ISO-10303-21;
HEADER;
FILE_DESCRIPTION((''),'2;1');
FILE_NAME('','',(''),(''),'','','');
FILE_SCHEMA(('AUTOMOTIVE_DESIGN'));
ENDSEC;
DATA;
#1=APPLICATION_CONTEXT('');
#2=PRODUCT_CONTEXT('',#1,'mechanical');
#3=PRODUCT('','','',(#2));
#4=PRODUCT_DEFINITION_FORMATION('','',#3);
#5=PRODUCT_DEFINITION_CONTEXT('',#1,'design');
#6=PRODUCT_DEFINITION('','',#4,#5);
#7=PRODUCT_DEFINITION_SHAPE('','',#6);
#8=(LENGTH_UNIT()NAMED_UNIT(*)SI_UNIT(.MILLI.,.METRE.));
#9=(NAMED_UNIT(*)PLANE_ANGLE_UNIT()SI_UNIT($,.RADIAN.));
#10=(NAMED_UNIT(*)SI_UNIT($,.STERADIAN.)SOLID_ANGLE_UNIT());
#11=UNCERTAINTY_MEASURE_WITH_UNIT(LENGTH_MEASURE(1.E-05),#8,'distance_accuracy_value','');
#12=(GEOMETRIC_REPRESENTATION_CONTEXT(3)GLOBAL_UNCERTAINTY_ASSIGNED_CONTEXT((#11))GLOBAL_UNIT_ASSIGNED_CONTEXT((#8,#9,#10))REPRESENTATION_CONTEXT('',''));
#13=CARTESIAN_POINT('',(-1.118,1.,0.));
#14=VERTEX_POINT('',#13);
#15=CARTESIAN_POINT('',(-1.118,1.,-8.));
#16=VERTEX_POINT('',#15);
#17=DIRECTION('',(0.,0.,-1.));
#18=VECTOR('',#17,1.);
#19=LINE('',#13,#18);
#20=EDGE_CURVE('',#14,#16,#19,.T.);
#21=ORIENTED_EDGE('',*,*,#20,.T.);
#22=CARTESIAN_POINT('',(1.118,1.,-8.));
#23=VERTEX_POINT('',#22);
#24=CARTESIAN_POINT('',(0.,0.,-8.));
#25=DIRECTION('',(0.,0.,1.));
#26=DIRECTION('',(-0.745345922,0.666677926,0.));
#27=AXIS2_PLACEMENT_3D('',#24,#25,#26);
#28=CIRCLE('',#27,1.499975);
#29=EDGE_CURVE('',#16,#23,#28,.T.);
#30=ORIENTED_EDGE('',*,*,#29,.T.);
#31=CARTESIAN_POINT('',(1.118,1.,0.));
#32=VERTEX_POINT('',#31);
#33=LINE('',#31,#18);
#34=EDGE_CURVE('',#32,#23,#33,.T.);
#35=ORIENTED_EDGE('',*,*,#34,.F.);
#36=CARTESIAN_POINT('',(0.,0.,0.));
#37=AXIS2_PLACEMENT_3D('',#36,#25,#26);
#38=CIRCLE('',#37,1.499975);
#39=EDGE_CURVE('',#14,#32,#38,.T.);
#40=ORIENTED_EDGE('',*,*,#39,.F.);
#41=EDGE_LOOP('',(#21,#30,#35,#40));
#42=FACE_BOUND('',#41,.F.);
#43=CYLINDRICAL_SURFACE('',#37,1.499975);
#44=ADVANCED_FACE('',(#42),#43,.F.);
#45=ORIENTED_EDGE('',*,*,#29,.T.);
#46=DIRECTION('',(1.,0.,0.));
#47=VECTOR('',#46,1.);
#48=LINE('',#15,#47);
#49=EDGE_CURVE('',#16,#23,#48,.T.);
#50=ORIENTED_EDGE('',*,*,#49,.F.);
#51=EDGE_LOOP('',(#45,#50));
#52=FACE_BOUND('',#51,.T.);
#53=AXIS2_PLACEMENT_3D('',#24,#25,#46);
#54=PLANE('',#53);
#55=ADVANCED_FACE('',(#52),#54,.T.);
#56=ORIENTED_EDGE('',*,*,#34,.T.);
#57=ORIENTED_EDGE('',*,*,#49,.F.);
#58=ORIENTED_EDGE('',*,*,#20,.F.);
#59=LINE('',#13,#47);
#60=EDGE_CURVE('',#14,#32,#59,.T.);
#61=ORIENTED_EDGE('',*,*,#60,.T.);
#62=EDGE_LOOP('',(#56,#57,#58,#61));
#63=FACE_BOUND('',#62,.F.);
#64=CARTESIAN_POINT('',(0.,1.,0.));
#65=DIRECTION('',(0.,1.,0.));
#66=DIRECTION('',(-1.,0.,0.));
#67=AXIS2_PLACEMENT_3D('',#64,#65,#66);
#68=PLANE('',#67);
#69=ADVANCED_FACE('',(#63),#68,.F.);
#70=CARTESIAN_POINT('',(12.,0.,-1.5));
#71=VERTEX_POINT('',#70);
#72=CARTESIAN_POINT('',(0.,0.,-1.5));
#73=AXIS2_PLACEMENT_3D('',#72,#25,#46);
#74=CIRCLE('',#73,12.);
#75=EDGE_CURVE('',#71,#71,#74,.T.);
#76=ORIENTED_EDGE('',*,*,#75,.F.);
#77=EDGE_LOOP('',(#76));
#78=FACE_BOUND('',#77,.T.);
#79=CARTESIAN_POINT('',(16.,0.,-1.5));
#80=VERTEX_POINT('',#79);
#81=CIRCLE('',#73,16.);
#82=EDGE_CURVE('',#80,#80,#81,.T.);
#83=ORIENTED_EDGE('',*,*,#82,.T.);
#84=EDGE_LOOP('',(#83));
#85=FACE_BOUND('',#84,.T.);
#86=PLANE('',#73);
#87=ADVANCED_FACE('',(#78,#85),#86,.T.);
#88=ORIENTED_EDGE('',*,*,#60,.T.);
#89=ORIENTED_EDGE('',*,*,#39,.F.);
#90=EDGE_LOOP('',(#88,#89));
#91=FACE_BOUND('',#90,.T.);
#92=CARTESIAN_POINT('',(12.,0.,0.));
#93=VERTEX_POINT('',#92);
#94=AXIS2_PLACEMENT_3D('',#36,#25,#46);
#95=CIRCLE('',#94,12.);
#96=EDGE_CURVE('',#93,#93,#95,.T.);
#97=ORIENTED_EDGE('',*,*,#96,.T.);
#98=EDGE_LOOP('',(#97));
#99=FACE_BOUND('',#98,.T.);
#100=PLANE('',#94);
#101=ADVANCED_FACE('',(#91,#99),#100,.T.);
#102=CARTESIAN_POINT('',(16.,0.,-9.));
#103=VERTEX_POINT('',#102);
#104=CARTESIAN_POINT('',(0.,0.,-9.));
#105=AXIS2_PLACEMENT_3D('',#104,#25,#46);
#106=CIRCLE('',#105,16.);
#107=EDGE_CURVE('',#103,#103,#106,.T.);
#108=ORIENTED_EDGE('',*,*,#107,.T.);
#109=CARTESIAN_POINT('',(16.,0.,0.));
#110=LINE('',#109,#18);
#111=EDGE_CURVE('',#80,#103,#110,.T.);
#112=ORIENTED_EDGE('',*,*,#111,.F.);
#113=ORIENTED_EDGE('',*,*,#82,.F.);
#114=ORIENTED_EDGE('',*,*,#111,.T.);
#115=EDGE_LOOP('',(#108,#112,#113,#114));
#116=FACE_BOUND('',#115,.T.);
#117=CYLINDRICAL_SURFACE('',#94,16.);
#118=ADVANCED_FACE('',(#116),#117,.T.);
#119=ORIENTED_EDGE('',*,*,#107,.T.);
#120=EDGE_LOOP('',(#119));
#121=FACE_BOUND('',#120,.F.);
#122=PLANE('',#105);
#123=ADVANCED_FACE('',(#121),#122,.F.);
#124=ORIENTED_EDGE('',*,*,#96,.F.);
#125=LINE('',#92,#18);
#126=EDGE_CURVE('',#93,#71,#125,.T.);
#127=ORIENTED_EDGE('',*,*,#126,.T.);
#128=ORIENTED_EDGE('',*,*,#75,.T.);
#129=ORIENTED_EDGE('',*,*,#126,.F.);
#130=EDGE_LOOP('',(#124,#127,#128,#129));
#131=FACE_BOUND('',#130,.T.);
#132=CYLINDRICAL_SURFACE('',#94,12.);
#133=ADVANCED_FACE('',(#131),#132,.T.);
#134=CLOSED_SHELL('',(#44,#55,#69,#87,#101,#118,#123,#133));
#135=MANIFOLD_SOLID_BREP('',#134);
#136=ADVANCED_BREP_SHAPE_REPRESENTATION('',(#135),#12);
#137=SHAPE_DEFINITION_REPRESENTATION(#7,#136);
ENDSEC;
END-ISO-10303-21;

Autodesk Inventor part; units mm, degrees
ref_plane "YZ Plane" through (0, 0, 0) normal (1, 0, 0) x (0, 1, 0)
ref_plane "XZ Plane" through (0, 0, 0) normal (0, 1, 0) x (-1, 0, 0)
ref_plane "XY Plane" through (0, 0, 0) normal (0, 0, 1) x (1, 0, 0)
sketch "Sketch1" plane through (0, 0, 0) normal (0, 0, 1) x (1, 0, 0)
  circle A0 centre (0, 0) radius 16
  dimension "d0" = 32
extrude "Extrusion1" add sketch "Sketch1" against normal blind 9
sketch "Sketch2" plane through (0, 0, 0) normal (0, 0, 1) x (1, 0, 0)
  circle A0 centre (0, 0) radius 16 projected
  circle A1 centre (0, 0) radius 16
  circle A2 centre (0, 0) radius 12
  dimension "d3" = 32
  dimension "d4" = 24
extrude "Extrusion2" cut sketch "Sketch2" against normal blind 1.5
sketch "Sketch3" plane through (0, 0, 0) normal (0, 0, 1) x (1, 0, 0)
  circle A0 centre (0, 0) radius 12 projected
  arc A1 (-1.118, 1) -> (1.118, 1) centre (0, 0) ccw
  line L0 (0, 0) -> (0, 1)
  line L1 (0, 1) -> (-1.118, 1)
  line L2 (0, 1) -> (1.118, 1)
  arc A2 (1.118, 1) -> (-1.118, 1) centre (0, 0) ccw
  dimension "d7" = 3
  dimension "d8" = 1
extrude "Extrusion3" cut sketch "Sketch3" against normal blind 8 contours L1 L2 A1
properties part number "Wheel"
